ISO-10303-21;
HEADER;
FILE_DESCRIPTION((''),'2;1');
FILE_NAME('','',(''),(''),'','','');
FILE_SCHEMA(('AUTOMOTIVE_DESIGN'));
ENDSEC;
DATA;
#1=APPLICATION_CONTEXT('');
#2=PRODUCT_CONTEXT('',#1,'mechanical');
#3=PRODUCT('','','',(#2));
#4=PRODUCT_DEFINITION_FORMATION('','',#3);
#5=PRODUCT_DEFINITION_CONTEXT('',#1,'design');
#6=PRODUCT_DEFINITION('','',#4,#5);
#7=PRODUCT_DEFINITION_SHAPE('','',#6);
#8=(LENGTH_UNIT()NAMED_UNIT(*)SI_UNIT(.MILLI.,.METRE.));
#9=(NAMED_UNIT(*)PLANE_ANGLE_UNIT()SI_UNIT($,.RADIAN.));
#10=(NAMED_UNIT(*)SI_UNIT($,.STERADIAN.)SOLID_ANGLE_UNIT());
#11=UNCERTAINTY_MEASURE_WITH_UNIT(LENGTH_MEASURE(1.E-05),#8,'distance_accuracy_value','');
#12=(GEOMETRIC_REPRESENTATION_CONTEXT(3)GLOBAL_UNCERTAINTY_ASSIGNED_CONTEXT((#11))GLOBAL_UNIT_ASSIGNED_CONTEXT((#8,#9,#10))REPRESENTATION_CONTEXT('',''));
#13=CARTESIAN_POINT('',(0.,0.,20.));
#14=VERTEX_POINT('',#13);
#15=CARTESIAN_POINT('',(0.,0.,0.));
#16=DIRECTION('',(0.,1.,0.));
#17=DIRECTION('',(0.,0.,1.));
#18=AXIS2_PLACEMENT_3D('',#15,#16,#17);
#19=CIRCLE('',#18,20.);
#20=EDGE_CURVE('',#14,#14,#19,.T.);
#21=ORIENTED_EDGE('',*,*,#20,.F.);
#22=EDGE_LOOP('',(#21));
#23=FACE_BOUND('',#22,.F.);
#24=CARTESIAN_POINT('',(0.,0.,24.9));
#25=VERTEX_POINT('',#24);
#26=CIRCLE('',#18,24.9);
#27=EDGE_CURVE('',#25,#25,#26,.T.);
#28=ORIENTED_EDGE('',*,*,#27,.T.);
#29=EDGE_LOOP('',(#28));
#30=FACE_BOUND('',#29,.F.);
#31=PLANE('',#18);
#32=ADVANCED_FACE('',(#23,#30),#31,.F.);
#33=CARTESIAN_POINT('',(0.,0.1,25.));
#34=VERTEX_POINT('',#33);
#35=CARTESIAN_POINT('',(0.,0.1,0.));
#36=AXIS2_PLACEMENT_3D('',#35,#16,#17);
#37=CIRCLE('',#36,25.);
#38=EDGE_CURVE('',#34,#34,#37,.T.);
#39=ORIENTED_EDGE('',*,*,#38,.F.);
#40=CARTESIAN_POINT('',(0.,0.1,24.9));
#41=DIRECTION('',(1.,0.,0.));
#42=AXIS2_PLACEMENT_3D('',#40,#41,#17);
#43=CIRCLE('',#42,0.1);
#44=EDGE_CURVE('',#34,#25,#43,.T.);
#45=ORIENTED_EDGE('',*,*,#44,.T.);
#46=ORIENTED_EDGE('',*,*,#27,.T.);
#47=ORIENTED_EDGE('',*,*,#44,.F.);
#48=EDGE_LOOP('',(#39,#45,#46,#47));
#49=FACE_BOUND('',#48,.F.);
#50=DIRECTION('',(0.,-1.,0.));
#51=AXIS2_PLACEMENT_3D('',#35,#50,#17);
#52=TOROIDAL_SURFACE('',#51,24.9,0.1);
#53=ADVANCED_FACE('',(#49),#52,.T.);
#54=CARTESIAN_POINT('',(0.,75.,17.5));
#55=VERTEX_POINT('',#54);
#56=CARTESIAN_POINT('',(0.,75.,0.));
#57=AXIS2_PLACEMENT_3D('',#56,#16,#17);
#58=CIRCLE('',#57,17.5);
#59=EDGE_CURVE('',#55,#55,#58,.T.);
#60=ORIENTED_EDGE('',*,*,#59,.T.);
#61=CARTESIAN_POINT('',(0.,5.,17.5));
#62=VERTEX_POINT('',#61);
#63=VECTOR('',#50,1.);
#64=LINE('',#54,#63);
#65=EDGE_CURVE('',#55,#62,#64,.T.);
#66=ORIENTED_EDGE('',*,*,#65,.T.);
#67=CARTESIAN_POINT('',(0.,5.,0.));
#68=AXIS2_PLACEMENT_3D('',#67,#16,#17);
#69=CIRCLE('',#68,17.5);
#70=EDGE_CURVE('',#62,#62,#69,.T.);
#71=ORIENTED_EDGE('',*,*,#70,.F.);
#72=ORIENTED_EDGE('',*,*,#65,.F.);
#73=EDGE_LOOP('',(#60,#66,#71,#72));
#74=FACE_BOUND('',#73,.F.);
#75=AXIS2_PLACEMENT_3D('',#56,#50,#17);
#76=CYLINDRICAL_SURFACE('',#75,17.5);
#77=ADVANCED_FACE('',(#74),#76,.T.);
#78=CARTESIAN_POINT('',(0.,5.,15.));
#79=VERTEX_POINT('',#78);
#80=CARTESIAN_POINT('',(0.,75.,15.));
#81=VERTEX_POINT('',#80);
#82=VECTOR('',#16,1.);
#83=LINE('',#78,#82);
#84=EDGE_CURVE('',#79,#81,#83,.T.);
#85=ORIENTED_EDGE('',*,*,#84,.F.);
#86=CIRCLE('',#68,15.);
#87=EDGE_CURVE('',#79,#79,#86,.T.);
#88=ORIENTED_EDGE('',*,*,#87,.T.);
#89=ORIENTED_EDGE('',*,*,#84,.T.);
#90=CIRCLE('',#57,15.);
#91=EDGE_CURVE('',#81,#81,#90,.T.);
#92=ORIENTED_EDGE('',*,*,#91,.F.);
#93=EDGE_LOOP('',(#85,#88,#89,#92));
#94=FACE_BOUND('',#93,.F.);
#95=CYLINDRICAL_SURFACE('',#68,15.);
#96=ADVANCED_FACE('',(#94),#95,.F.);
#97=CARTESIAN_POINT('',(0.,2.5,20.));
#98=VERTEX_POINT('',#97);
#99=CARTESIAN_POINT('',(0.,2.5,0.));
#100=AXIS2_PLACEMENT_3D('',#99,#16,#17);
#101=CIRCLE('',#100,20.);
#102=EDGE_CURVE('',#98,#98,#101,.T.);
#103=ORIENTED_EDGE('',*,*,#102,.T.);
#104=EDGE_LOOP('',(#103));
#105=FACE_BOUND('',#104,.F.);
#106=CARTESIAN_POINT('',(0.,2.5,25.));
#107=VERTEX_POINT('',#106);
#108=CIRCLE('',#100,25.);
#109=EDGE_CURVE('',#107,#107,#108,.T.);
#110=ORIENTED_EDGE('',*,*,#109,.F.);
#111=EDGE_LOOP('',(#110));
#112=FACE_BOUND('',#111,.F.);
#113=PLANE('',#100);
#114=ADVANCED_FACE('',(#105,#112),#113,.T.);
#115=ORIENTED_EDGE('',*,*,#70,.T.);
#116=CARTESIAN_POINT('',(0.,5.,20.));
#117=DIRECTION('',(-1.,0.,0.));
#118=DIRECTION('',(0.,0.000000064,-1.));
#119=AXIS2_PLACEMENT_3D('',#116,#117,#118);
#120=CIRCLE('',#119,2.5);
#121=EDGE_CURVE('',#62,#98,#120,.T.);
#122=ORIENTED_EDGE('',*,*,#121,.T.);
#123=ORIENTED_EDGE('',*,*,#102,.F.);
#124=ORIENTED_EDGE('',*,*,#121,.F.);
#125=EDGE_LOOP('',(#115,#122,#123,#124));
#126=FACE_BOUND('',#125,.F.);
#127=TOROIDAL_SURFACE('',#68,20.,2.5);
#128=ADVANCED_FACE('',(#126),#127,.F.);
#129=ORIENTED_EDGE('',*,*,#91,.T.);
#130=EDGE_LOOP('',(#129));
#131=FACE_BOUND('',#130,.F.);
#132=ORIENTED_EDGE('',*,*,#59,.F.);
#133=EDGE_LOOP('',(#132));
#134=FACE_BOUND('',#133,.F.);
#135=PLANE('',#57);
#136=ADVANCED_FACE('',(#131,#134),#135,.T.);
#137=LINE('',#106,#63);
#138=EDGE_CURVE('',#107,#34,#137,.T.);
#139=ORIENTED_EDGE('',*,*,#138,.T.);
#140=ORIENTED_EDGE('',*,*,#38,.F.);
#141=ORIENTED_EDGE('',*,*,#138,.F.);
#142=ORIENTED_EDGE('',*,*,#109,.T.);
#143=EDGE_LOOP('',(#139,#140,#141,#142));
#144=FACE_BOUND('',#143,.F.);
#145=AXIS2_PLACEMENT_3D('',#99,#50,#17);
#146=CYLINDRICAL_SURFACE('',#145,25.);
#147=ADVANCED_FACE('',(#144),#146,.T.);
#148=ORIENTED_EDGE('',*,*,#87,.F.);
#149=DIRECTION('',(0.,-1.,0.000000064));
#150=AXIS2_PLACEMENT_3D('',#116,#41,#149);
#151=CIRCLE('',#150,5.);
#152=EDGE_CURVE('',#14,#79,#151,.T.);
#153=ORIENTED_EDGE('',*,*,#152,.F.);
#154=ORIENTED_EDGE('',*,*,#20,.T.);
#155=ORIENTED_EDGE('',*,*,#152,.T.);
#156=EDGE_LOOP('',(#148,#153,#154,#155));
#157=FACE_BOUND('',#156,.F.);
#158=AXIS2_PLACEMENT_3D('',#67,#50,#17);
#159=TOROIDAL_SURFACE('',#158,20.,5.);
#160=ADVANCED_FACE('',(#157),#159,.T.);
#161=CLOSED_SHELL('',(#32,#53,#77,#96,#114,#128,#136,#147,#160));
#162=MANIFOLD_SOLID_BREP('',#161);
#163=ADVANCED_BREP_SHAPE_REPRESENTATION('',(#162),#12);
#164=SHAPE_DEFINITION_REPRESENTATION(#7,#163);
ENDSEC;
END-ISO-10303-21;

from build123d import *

# Parameters (mm, degrees)
F2_R = 0.1


with BuildPart() as f1:
    # F0 (on Right) → F1 (revolve)
    with BuildSketch(Plane.YZ):
        with BuildLine():
            ThreePointArc((0, 20), (1.464466, 16.464466), (5, 15))
            Line((5, 15), (75, 15))
            Line((75, 15), (75, 17.5))
            Line((75, 17.5), (5, 17.5))
            ThreePointArc((5, 17.5), (3.232233, 18.232233), (2.5, 20))
            Line((2.5, 20), (2.5, 25))
            Line((2.5, 25), (0, 25))
            Line((0, 25), (0, 20))
        make_face()
    revolve(axis=Axis((0, 20.755913, 0), (0, 1, 0)))

    # F2
    f2_edges = [f1.edges().sort_by_distance(p)[0] for p in [
        (0, 0, -25),
    ]]
    fillet(f2_edges, radius=F2_R)


solid = f1.part
